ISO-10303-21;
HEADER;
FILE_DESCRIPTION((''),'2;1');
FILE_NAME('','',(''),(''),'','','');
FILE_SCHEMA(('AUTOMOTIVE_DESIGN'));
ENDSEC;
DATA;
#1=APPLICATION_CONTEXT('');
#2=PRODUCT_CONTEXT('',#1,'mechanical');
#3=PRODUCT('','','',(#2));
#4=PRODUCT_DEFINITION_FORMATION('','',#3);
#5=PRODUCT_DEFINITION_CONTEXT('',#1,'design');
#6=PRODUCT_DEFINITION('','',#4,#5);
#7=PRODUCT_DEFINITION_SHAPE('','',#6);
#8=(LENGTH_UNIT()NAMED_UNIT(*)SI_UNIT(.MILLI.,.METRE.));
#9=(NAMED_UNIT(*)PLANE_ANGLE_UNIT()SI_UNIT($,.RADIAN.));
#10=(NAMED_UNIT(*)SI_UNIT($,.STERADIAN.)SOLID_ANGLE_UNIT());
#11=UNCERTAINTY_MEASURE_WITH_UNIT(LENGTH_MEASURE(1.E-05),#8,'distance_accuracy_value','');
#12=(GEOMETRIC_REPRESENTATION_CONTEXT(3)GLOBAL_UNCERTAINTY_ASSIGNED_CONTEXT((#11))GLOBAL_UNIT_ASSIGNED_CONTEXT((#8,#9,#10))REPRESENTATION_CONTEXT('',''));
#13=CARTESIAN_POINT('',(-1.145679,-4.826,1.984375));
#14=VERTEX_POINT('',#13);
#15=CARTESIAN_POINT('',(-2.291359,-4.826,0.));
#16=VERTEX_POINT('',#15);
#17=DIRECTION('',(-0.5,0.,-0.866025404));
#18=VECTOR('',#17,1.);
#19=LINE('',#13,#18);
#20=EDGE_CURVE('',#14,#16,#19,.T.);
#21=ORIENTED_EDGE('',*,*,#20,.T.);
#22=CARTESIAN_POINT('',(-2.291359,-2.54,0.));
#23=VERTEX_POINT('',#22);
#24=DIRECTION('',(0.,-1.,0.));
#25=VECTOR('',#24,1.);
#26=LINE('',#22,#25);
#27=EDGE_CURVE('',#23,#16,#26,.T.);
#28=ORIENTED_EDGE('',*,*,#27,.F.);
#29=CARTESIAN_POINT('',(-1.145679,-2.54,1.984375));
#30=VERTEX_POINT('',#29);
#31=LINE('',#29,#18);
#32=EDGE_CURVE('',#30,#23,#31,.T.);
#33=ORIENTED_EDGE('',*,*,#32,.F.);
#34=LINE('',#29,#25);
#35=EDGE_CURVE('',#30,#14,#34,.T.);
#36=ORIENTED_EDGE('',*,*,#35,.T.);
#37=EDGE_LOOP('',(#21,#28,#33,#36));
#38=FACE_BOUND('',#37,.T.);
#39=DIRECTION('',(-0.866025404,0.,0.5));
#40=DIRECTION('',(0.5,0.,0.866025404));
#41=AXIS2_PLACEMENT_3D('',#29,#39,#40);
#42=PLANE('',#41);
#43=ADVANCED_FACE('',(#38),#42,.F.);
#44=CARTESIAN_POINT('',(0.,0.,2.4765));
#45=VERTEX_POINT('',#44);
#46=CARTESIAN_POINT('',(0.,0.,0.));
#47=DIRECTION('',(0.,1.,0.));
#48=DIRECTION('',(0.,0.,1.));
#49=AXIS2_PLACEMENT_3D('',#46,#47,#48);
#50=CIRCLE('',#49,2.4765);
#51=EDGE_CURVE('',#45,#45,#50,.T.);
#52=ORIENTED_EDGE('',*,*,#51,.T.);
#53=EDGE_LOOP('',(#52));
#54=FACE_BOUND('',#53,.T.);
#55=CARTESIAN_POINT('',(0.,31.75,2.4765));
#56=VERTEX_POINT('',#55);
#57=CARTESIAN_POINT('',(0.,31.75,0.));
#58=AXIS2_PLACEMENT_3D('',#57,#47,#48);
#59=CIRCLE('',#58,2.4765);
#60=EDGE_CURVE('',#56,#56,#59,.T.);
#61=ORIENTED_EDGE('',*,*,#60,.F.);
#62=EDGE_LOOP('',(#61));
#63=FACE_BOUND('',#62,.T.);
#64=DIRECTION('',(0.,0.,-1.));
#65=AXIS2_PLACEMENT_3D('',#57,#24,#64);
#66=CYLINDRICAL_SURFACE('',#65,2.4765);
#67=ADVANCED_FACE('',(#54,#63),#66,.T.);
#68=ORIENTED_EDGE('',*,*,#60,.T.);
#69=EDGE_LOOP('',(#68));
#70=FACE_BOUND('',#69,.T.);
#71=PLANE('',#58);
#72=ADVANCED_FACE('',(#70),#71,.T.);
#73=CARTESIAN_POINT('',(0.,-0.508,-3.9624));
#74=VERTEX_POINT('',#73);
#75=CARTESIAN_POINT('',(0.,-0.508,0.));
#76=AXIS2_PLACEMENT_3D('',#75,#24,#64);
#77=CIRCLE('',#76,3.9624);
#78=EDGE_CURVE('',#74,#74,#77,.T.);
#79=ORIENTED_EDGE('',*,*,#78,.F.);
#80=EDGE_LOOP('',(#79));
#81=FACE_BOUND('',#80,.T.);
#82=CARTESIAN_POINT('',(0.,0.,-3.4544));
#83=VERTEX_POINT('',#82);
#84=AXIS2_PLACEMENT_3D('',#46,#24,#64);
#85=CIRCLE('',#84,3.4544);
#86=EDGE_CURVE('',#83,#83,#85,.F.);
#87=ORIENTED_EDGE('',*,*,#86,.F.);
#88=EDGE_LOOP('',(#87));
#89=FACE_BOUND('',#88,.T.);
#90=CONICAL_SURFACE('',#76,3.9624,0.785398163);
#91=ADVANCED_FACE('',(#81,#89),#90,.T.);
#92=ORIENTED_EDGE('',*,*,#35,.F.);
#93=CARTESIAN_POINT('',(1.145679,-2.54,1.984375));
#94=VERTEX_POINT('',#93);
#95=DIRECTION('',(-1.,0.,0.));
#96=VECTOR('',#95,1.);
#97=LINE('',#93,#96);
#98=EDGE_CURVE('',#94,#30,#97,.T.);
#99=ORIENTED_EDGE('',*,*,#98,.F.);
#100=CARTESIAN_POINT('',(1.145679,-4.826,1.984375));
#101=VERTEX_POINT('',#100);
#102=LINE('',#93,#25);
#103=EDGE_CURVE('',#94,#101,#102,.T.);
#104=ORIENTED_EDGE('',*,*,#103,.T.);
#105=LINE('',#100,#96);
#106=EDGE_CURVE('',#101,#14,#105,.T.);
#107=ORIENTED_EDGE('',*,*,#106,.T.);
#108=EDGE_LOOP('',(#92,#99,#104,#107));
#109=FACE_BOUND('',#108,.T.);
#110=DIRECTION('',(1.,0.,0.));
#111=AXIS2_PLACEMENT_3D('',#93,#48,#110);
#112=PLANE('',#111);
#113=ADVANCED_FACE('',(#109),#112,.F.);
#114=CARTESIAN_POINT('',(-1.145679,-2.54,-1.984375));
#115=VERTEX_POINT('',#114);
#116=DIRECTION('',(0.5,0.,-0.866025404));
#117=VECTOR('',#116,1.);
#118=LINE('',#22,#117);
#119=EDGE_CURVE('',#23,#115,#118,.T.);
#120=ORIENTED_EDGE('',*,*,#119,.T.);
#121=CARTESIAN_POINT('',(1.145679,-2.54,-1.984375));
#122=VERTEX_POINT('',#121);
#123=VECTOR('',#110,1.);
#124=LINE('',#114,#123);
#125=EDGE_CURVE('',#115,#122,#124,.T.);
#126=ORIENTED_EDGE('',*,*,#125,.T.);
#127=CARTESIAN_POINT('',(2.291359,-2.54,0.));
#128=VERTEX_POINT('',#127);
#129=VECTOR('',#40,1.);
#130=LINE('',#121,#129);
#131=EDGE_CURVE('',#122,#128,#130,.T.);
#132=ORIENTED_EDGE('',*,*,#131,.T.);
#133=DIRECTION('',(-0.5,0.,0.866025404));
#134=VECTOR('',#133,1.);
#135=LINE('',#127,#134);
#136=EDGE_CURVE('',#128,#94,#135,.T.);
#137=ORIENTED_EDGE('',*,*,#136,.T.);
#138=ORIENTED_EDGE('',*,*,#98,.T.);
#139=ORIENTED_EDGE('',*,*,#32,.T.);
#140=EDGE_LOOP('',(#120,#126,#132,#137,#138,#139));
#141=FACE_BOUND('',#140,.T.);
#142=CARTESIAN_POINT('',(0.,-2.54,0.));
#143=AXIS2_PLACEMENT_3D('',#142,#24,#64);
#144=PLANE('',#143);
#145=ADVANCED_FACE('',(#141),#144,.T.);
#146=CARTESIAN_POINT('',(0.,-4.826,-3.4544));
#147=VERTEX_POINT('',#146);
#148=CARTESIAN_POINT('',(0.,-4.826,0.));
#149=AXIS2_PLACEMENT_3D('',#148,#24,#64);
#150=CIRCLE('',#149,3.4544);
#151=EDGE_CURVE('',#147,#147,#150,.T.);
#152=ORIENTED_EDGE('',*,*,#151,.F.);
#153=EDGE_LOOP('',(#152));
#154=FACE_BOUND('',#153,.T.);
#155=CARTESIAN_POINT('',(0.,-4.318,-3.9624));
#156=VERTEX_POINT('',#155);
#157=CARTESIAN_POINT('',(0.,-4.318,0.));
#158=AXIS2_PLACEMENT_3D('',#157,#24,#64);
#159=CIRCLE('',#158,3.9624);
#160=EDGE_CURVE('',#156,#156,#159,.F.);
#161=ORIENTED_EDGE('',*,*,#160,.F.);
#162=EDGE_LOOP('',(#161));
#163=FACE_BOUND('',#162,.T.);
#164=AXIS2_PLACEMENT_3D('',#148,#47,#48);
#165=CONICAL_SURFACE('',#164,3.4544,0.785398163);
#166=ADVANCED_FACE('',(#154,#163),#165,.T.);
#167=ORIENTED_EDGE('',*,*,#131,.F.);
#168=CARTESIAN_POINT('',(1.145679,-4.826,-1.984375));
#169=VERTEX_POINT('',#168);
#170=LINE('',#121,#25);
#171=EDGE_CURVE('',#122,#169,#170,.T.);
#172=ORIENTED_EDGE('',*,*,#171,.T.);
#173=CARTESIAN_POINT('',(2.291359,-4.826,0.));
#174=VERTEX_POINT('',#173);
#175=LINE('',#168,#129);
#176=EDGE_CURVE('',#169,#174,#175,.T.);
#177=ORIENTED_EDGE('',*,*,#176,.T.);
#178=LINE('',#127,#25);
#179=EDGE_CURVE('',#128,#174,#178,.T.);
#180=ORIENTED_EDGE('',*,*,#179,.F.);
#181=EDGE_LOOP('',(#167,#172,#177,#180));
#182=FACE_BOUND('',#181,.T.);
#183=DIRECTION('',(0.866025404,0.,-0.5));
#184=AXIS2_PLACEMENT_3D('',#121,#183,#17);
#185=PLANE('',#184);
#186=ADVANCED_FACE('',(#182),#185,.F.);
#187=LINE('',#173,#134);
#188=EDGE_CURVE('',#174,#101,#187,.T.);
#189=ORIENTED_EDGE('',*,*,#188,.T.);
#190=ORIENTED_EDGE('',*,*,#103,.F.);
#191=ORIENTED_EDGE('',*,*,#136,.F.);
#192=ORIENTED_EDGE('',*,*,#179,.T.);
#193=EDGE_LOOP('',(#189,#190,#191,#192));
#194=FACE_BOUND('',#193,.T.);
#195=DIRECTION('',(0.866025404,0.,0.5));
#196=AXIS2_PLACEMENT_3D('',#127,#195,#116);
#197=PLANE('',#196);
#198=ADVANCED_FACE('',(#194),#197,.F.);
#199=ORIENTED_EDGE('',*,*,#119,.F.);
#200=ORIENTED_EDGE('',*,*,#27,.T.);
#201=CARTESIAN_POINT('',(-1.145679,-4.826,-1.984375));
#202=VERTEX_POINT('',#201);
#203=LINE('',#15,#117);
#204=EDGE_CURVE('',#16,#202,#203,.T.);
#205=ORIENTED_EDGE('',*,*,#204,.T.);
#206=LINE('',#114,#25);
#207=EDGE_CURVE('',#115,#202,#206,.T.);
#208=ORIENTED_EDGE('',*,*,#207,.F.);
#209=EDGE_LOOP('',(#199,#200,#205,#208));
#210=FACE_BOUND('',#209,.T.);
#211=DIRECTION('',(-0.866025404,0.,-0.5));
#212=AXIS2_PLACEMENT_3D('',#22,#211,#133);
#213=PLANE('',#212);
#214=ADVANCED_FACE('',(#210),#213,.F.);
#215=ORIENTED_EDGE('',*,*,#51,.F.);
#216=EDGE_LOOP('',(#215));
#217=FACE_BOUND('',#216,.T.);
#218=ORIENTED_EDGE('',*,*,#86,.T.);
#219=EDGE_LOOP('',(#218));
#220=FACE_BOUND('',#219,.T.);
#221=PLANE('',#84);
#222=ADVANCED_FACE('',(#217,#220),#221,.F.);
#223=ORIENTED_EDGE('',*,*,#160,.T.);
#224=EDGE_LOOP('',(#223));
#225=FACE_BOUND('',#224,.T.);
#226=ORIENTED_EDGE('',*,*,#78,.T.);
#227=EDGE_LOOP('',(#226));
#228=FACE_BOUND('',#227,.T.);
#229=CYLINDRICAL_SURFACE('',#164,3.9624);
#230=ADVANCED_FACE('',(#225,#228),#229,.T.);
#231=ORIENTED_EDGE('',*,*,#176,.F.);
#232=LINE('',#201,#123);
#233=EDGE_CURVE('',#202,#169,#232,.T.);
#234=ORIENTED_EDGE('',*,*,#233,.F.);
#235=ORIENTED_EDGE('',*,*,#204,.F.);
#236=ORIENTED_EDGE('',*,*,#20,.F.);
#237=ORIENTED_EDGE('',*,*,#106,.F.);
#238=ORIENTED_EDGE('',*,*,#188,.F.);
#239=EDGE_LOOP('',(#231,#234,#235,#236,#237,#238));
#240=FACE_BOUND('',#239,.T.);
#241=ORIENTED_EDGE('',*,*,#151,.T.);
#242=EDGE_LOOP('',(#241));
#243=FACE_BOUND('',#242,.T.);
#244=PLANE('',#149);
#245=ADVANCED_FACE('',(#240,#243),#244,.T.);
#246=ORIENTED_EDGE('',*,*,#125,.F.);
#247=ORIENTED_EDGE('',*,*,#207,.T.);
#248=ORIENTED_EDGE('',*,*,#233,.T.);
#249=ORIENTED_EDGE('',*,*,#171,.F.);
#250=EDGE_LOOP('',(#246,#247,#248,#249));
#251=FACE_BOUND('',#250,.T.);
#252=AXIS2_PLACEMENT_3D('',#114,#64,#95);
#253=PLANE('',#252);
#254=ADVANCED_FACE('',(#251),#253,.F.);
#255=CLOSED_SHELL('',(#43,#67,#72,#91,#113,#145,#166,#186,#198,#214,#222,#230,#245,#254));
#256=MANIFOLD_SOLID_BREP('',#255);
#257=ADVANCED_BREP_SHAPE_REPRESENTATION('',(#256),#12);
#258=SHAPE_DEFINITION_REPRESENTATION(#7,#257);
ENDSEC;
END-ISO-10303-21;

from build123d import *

# Parameters (mm, degrees)
SKETCH1_R           = 2.4765
BOSS_EXTRUDE1_DEPTH = 31.75
SKETCH2_R           = 3.9624
BOSS_EXTRUDE2_DEPTH = 4.826
CUT_EXTRUDE1_DEPTH  = 2.286
CHAMFER1_SIZE       = 0.508


with BuildPart() as part:
    # Sketch1 → Boss-Extrude1 (new body)
    with BuildSketch(Plane(origin=(0, 0, 0), x_dir=(1, 0, 0), z_dir=(0, 1, 0))):
        with Locations(Location((0, 0, 0), (0, 0, 270))):
            Circle(SKETCH1_R)
    extrude(amount=BOSS_EXTRUDE1_DEPTH)

    # Sketch2 → Boss-Extrude2 (add)
    with BuildSketch(Plane.XZ):
        with Locations(Location((0, 0, 0), (0, 0, 270))):
            Circle(SKETCH2_R)
    extrude(amount=BOSS_EXTRUDE2_DEPTH)

    # Sketch3 → Cut-Extrude1 (cut)
    with BuildSketch(Plane.XZ.offset(4.826)):
        Polygon((2.291358881, 0), (1.14567944, 1.984375), (-1.14567944, 1.984375), (-2.291358881, 0), (-1.14567944, -1.984375), (1.14567944, -1.984375), align=None)
    extrude(amount=-CUT_EXTRUDE1_DEPTH, mode=Mode.SUBTRACT)

    # Chamfer1
    chamfer1_edges = [part.edges().sort_by_distance(p)[0] for p in [
        (0, 0, 3.9624),
        (0, -4.826, 3.9624),
    ]]
    chamfer(chamfer1_edges, length=CHAMFER1_SIZE)


solid = part.part
